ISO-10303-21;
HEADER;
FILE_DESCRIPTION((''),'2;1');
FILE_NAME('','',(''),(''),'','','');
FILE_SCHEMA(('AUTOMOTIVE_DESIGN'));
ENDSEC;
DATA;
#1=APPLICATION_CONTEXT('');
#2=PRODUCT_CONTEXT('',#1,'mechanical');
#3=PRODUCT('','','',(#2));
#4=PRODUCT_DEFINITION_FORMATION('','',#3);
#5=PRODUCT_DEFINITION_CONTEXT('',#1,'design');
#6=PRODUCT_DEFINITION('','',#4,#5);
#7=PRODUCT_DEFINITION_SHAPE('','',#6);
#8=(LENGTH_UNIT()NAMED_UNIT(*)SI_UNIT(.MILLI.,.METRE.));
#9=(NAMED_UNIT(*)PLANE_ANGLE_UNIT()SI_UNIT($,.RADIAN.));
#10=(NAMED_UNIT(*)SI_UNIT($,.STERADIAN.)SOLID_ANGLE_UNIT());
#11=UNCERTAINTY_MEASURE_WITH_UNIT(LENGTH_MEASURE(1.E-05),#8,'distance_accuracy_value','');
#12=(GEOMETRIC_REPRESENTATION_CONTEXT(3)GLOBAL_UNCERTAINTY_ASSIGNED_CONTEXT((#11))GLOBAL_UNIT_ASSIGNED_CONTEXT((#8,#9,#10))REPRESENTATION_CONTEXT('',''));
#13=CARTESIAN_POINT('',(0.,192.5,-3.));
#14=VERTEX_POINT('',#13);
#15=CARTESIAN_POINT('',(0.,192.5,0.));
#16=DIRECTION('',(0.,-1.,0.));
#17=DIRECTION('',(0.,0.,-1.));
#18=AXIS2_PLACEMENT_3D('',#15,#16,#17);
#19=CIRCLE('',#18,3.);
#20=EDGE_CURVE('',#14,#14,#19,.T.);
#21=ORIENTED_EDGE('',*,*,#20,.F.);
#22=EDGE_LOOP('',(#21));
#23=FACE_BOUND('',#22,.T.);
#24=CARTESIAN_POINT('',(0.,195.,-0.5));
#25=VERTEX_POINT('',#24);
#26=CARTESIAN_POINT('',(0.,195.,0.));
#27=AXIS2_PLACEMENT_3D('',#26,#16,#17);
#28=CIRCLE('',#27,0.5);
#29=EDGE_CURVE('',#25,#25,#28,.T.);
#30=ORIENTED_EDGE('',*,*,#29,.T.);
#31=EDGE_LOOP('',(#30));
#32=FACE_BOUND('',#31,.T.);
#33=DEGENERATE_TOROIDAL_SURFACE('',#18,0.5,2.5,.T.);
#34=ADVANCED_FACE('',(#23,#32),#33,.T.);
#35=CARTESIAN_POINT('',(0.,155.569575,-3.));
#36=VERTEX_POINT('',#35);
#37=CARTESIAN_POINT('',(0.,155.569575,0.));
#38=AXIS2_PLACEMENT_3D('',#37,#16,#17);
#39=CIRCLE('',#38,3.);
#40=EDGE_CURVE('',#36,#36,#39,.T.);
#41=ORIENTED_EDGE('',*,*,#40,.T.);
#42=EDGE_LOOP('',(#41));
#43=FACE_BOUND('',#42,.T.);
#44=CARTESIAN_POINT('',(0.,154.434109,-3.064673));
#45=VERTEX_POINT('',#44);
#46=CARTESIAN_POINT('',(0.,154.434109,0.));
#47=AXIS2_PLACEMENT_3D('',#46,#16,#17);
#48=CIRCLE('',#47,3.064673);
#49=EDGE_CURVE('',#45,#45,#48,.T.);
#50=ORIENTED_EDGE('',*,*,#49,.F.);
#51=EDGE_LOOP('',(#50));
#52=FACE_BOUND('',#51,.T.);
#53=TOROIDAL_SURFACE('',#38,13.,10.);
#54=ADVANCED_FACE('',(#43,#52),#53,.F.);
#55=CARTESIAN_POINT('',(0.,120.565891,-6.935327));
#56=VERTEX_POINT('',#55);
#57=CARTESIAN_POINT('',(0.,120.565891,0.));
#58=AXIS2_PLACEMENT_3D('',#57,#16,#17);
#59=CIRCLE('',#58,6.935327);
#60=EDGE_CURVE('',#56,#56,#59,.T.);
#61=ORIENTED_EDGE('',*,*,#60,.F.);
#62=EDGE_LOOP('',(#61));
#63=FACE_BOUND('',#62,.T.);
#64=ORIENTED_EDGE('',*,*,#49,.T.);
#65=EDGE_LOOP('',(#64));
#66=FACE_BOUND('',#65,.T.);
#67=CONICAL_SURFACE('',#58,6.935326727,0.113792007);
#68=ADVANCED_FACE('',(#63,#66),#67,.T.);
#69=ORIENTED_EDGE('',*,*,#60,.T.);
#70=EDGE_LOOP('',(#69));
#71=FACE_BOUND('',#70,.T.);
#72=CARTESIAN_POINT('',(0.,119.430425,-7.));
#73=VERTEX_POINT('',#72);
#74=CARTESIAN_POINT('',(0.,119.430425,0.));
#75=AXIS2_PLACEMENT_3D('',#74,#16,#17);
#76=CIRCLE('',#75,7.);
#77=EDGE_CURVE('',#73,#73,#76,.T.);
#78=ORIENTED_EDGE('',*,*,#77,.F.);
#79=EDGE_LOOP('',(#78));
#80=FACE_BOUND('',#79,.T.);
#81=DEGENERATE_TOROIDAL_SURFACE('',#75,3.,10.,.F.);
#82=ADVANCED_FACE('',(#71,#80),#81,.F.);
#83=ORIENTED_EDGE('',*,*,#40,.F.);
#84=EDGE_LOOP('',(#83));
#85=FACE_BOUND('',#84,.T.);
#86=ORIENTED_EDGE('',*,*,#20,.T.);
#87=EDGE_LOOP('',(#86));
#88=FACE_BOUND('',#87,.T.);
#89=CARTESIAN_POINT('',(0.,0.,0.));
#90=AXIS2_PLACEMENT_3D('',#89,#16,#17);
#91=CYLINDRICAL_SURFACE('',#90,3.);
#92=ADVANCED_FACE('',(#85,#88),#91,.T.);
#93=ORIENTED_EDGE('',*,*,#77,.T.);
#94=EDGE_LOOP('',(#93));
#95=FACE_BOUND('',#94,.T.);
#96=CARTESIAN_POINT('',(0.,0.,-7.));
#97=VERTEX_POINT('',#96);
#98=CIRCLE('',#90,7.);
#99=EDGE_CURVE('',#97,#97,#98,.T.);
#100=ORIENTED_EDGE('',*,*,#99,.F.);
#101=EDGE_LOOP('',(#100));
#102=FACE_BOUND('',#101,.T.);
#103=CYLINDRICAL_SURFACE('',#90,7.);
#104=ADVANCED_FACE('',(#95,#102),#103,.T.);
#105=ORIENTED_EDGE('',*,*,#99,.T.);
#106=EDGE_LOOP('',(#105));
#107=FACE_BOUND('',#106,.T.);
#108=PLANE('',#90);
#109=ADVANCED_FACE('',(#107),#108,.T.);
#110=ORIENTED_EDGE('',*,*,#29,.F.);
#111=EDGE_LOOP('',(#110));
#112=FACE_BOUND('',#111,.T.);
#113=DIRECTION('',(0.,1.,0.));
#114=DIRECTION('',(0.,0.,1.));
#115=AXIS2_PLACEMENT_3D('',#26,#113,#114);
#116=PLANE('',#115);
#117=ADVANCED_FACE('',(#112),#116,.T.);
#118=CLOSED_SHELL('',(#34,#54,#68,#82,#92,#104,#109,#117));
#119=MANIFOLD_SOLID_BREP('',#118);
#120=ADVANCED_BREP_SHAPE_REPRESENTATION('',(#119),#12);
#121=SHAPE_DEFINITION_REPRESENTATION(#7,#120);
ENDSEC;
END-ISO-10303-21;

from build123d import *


with BuildPart() as part:
    # Sketch2 → Antenna (revolve)
    with BuildSketch(Plane.XY, mode=Mode.PRIVATE) as antenna_sk:
        with BuildLine():
            Line((3, 192.5), (3, 155.569574769))
            ThreePointArc((3, 155.569574769), (3.01618141, 155.000921652), (3.064673273, 154.434108857))
            Line((3.064673273, 154.434108857), (6.935326727, 120.565891143))
            ThreePointArc((6.935326727, 120.565891143), (6.98381859, 119.999078348), (7, 119.430425231))
            Line((7, 119.430425231), (7, 0))
            Line((7, 0), (0, 0))
            Line((0, 0), (0, 195))
            Line((0, 195), (0.5, 195))
            ThreePointArc((0.5, 195), (2.267766953, 194.267766953), (3, 192.5))
        make_face()
    revolve(antenna_sk.sketch.rotate(Axis((0, 0, 0), (0, 1, 0)), 90), axis=Axis((0, 0, 0), (0, 1, 0)))


solid = part.part
